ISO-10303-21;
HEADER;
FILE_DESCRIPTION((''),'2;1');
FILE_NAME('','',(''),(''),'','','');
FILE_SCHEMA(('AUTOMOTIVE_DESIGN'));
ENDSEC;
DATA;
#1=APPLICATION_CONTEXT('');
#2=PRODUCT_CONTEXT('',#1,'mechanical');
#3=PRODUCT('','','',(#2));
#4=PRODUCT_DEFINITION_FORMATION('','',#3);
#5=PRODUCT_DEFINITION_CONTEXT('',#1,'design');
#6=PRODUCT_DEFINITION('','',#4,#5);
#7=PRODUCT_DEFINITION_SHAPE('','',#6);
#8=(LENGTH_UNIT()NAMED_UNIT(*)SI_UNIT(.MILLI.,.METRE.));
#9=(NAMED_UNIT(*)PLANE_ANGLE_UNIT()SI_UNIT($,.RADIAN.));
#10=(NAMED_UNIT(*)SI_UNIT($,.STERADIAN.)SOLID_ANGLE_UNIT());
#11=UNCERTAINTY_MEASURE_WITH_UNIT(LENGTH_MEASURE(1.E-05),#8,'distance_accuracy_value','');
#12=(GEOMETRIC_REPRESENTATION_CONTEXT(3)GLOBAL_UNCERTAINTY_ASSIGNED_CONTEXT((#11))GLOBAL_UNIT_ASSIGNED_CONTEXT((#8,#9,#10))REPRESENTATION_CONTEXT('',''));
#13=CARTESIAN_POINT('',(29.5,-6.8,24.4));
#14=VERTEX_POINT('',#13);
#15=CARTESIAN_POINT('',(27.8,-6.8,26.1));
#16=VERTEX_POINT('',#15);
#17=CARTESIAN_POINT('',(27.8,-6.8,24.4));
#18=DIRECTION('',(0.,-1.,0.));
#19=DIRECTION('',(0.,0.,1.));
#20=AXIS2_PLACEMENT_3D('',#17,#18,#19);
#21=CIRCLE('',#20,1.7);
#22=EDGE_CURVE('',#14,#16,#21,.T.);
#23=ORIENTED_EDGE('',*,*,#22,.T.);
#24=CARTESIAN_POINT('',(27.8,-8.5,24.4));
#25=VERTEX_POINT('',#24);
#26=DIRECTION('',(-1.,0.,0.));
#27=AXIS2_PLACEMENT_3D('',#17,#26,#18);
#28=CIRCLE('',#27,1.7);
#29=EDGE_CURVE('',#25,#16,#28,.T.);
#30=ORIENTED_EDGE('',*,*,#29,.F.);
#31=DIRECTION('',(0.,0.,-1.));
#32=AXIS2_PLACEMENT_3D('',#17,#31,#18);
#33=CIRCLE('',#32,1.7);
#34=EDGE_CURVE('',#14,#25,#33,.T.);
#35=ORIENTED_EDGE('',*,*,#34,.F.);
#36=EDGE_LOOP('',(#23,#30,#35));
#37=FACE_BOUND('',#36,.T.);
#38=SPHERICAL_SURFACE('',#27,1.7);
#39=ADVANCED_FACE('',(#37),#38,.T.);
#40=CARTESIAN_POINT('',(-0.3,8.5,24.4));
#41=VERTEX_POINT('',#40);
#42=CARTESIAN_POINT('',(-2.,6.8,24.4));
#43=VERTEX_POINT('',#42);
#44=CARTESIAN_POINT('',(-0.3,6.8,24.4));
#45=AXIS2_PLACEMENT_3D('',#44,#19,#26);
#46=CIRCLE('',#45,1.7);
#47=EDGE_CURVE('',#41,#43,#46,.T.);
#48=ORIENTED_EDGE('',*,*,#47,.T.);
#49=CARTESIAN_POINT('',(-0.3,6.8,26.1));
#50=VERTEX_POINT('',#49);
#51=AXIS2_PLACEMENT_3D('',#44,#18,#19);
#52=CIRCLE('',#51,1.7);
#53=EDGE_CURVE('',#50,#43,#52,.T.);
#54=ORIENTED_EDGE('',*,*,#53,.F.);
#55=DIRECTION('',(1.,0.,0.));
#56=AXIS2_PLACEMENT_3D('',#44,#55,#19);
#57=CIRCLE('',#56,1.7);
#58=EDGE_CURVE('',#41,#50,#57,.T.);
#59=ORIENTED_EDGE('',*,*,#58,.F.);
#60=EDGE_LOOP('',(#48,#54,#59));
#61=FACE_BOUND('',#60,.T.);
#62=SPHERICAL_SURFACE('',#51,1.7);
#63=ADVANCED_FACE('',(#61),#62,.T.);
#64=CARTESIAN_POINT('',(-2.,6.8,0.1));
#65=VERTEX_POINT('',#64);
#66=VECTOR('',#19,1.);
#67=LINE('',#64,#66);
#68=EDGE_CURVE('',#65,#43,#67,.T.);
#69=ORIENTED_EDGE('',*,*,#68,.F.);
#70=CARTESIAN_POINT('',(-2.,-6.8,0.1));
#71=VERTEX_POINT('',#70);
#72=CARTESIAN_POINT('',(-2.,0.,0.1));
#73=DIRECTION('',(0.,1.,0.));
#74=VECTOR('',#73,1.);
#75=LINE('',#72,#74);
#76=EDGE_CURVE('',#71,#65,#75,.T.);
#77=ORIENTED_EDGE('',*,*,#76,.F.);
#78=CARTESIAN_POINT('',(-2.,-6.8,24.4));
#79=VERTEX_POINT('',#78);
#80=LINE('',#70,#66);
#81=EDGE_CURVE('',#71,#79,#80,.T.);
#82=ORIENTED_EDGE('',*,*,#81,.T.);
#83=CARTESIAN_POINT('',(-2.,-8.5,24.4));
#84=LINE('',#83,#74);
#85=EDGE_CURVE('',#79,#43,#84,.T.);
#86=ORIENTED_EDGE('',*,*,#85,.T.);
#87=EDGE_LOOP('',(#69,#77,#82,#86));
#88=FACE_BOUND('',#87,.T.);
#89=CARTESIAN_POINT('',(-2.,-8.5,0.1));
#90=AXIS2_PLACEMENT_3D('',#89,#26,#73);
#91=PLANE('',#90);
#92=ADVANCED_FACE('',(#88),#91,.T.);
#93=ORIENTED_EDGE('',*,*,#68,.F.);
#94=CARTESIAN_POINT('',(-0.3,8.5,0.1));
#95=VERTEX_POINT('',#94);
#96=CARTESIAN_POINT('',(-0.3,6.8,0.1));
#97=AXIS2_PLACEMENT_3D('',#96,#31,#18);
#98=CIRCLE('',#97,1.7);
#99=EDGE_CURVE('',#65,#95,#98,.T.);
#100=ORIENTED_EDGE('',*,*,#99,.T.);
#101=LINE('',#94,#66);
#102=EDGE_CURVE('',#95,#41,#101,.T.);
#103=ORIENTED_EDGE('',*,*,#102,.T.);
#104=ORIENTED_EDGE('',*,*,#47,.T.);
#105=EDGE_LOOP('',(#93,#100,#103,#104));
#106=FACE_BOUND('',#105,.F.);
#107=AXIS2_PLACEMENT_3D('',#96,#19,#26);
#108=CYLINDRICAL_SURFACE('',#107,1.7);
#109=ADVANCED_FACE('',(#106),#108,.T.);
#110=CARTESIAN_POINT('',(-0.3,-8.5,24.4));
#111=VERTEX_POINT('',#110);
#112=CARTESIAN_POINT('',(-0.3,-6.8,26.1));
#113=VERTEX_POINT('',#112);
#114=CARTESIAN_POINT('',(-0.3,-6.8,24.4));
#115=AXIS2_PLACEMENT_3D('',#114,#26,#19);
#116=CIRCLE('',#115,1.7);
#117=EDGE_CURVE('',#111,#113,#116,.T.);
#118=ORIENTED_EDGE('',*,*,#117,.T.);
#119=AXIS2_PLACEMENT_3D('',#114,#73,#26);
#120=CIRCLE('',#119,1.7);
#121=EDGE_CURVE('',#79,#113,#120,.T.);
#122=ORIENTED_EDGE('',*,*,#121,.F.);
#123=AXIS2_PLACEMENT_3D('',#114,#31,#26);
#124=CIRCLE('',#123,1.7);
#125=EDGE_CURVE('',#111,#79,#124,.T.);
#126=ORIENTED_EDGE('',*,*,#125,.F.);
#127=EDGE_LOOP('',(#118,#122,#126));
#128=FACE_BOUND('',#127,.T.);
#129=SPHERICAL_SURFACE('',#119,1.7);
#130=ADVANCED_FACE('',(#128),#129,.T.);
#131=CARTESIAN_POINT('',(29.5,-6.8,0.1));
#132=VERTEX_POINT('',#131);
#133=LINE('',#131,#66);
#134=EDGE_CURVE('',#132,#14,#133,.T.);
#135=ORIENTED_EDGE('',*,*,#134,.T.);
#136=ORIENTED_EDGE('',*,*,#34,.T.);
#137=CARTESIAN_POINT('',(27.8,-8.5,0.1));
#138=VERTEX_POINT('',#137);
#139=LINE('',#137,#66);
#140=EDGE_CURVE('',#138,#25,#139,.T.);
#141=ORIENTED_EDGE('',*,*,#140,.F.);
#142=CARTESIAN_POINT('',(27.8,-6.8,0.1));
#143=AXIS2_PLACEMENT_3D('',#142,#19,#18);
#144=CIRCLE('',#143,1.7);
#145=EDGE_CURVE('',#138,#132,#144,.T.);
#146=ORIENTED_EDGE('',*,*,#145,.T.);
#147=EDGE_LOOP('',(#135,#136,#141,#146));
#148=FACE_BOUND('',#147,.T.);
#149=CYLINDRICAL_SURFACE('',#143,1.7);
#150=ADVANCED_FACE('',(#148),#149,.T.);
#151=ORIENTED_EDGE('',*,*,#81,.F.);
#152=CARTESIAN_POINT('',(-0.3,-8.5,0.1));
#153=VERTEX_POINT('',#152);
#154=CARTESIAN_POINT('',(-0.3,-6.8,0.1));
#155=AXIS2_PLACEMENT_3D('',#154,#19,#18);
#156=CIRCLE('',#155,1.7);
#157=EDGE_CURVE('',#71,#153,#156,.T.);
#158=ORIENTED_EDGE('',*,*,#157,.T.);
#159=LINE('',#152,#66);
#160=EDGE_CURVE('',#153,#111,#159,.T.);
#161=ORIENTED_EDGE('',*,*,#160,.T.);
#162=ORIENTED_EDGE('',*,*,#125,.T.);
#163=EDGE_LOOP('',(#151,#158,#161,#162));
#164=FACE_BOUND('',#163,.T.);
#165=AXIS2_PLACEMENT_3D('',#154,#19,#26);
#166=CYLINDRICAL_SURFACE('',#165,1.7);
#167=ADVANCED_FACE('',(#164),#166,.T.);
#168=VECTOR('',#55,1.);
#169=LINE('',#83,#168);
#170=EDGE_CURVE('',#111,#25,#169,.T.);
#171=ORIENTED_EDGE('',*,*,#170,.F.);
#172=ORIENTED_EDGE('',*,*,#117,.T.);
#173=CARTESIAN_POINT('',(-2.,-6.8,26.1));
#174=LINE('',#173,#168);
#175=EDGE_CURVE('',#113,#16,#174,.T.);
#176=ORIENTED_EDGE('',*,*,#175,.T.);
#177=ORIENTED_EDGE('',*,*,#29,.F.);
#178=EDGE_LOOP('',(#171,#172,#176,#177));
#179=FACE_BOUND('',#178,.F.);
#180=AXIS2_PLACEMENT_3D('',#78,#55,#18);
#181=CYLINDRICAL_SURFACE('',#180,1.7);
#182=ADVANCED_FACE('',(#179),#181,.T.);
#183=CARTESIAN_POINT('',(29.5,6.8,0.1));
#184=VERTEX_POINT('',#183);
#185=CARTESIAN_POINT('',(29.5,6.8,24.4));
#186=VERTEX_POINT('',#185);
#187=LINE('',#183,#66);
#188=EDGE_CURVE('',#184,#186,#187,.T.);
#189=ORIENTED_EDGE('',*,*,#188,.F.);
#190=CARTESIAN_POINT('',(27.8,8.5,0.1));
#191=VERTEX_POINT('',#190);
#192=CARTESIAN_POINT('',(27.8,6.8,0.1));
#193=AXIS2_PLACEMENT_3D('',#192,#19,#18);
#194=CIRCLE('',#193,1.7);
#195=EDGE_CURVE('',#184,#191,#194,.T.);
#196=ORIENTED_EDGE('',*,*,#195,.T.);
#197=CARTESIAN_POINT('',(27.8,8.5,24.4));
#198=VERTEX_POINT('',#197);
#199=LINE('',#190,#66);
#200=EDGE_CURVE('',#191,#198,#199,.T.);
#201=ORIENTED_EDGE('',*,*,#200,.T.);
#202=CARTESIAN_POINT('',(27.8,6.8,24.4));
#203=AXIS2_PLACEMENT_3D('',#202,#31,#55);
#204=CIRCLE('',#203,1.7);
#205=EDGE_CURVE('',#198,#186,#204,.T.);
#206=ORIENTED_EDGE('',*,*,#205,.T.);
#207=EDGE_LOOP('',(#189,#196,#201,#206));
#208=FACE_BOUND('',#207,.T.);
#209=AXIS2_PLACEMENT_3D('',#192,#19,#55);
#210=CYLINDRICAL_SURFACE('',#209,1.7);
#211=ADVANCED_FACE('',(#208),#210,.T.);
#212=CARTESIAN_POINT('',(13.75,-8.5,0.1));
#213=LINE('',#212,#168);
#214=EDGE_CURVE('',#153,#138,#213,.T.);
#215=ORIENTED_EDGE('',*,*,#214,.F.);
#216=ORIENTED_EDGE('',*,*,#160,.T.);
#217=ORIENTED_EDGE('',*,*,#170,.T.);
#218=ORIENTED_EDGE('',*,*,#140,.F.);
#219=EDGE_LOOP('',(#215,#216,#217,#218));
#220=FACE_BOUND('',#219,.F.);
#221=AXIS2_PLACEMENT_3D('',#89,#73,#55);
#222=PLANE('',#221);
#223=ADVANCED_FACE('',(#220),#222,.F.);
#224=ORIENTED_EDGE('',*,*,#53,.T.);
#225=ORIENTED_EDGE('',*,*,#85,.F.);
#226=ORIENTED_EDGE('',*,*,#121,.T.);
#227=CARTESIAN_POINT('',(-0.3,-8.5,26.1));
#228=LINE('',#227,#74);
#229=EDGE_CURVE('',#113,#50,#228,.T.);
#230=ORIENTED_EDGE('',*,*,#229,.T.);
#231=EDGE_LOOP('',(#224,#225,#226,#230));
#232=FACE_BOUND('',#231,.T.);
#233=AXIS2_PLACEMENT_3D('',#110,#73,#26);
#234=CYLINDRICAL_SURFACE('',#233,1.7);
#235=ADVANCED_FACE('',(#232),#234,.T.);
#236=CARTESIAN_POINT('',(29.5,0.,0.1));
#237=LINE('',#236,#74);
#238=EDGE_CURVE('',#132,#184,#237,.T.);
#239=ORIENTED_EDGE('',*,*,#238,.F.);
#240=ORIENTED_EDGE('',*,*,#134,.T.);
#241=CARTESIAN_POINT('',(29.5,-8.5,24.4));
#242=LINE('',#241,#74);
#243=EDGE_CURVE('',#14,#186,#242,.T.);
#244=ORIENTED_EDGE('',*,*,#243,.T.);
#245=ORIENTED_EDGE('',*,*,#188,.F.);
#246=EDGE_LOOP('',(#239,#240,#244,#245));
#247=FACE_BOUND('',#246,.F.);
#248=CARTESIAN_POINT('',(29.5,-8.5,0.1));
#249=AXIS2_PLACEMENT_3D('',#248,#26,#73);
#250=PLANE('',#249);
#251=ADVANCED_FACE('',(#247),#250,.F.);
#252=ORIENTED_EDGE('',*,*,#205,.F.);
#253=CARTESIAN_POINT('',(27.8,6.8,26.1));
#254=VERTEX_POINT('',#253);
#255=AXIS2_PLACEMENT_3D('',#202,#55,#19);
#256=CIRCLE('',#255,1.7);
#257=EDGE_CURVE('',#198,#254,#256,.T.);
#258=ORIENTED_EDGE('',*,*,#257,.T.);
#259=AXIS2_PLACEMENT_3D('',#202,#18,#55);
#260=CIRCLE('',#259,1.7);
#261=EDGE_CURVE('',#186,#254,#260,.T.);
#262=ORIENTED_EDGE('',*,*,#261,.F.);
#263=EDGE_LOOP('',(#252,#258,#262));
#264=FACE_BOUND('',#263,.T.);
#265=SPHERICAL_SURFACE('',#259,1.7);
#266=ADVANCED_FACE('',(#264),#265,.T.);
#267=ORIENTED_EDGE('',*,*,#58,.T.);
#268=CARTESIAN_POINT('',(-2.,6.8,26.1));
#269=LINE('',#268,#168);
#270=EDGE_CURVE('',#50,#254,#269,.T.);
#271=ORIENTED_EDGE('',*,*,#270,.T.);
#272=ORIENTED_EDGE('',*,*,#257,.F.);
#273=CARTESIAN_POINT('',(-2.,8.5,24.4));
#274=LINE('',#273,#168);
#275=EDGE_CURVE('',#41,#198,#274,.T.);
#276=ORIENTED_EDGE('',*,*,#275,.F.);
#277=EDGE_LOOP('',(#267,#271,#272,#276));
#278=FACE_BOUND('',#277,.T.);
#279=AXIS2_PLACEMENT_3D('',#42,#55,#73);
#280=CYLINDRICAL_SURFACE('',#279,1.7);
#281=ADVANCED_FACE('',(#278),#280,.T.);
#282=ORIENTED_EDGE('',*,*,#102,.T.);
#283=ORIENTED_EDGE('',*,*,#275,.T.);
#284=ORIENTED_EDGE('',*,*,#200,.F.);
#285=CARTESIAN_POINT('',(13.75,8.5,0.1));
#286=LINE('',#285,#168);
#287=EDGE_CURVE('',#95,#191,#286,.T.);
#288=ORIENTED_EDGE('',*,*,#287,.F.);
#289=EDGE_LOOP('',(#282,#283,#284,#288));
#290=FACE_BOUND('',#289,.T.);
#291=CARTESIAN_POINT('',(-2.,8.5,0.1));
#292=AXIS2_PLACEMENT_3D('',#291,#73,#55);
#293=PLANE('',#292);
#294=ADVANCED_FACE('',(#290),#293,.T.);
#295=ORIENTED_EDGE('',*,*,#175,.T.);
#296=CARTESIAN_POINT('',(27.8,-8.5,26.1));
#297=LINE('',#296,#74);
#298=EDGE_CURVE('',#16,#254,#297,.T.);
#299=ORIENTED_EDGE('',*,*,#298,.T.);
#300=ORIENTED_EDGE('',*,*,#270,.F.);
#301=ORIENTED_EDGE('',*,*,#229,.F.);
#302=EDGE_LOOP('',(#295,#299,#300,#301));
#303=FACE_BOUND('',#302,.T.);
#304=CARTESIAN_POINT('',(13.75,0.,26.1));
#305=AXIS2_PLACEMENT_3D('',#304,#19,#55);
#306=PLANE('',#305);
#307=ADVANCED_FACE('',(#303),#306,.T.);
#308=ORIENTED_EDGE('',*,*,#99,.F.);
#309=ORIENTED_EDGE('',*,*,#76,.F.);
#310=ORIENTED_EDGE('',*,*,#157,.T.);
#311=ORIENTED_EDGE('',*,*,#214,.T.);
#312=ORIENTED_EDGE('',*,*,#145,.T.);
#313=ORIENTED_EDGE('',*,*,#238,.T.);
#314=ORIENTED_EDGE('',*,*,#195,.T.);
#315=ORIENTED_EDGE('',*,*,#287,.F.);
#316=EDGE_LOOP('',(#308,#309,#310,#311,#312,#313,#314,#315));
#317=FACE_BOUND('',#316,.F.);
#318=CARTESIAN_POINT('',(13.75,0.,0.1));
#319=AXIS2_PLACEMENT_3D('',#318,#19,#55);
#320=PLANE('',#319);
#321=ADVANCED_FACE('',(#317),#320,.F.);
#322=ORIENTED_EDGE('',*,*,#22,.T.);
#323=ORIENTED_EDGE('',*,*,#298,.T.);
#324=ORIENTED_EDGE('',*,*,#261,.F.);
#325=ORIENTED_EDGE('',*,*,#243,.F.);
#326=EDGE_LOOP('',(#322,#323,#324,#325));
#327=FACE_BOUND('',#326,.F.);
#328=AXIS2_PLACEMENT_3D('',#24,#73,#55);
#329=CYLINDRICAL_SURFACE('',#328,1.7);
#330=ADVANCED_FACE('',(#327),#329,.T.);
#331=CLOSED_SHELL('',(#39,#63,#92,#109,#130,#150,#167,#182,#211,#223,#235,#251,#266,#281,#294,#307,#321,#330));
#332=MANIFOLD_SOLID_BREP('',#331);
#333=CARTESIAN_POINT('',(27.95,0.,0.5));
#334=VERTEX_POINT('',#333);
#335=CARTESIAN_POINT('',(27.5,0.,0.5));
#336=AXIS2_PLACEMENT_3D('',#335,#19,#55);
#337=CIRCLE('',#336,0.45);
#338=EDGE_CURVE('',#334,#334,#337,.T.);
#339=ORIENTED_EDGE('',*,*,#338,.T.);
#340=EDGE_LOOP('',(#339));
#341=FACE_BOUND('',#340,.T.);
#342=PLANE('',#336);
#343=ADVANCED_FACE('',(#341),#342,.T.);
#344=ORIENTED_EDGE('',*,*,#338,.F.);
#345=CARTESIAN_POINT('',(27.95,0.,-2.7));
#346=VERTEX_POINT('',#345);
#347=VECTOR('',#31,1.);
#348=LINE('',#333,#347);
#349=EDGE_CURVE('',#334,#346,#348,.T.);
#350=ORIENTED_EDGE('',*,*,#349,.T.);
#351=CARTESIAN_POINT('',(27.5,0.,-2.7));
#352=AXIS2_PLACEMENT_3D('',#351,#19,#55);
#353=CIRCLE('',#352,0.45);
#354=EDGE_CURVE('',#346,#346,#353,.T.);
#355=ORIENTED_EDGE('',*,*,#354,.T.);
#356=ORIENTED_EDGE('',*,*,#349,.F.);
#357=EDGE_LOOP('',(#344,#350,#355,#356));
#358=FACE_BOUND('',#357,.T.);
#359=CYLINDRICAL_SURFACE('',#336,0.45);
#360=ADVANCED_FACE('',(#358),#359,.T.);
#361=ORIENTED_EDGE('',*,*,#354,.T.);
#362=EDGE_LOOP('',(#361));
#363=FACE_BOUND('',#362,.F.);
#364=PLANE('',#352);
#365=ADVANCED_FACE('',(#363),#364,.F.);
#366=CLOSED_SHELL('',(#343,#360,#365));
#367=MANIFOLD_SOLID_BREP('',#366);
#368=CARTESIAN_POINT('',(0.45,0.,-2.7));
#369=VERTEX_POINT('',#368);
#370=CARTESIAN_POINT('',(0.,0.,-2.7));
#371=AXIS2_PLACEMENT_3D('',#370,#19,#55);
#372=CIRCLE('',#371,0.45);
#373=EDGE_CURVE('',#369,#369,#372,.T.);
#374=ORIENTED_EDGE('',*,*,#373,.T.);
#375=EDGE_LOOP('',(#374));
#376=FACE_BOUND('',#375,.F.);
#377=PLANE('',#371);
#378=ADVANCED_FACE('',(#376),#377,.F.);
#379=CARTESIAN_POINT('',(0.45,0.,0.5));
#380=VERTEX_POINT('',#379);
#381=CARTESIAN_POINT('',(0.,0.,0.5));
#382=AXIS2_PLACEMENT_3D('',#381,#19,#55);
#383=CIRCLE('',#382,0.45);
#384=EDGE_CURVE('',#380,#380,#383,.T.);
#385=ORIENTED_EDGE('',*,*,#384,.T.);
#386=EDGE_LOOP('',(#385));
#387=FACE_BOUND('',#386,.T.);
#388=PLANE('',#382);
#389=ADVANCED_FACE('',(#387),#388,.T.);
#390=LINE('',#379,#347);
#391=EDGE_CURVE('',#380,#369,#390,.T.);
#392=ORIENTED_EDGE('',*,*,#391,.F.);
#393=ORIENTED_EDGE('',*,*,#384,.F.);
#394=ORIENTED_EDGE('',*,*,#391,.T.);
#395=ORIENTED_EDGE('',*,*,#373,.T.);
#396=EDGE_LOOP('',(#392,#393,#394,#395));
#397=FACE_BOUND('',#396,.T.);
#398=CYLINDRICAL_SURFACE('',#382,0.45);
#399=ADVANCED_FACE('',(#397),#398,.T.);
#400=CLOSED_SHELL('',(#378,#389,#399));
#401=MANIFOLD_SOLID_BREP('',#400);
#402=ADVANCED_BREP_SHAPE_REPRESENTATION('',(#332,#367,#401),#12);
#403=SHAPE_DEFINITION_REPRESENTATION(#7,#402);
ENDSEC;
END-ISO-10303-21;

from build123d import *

# Parameters (mm, degrees)
SKETCH_W     = 31.5
SKETCH_H     = 17
PAD_DEPTH    = 26
FILLET_R     = 1.7
SKETCH001_R  = 0.45
PAD001_DEPTH = 3.2


with BuildPart() as fillet_body:
    # Sketch → Pad (new body)
    with BuildSketch(Plane.XY.offset(0.1)):
        with Locations((13.75, 0)):
            Rectangle(SKETCH_W, SKETCH_H)
    extrude(amount=PAD_DEPTH)

    # Fillet
    fillet_edges = [fillet_body.edges().sort_by_distance(p)[0] for p in [
        (-2, 0, 26.1),
        (-2, -8.5, 13.1),
        (13.75, -8.5, 26.1),
        (29.5, -8.5, 13.1),
        (29.5, 0, 26.1),
        (29.5, 8.5, 13.1),
        (13.75, 8.5, 26.1),
        (-2, 8.5, 13.1),
    ]]
    fillet(fillet_edges, radius=FILLET_R)


with BuildPart() as pad001:
    # Sketch001 → Pad001 (new body)
    with BuildSketch(Plane.XY.offset(0.5)):
        Circle(SKETCH001_R)
        with Locations((27.5, 0)):
            Circle(SKETCH001_R)
    extrude(amount=-PAD001_DEPTH)


solid = Compound([fillet_body.part, pad001.part])
